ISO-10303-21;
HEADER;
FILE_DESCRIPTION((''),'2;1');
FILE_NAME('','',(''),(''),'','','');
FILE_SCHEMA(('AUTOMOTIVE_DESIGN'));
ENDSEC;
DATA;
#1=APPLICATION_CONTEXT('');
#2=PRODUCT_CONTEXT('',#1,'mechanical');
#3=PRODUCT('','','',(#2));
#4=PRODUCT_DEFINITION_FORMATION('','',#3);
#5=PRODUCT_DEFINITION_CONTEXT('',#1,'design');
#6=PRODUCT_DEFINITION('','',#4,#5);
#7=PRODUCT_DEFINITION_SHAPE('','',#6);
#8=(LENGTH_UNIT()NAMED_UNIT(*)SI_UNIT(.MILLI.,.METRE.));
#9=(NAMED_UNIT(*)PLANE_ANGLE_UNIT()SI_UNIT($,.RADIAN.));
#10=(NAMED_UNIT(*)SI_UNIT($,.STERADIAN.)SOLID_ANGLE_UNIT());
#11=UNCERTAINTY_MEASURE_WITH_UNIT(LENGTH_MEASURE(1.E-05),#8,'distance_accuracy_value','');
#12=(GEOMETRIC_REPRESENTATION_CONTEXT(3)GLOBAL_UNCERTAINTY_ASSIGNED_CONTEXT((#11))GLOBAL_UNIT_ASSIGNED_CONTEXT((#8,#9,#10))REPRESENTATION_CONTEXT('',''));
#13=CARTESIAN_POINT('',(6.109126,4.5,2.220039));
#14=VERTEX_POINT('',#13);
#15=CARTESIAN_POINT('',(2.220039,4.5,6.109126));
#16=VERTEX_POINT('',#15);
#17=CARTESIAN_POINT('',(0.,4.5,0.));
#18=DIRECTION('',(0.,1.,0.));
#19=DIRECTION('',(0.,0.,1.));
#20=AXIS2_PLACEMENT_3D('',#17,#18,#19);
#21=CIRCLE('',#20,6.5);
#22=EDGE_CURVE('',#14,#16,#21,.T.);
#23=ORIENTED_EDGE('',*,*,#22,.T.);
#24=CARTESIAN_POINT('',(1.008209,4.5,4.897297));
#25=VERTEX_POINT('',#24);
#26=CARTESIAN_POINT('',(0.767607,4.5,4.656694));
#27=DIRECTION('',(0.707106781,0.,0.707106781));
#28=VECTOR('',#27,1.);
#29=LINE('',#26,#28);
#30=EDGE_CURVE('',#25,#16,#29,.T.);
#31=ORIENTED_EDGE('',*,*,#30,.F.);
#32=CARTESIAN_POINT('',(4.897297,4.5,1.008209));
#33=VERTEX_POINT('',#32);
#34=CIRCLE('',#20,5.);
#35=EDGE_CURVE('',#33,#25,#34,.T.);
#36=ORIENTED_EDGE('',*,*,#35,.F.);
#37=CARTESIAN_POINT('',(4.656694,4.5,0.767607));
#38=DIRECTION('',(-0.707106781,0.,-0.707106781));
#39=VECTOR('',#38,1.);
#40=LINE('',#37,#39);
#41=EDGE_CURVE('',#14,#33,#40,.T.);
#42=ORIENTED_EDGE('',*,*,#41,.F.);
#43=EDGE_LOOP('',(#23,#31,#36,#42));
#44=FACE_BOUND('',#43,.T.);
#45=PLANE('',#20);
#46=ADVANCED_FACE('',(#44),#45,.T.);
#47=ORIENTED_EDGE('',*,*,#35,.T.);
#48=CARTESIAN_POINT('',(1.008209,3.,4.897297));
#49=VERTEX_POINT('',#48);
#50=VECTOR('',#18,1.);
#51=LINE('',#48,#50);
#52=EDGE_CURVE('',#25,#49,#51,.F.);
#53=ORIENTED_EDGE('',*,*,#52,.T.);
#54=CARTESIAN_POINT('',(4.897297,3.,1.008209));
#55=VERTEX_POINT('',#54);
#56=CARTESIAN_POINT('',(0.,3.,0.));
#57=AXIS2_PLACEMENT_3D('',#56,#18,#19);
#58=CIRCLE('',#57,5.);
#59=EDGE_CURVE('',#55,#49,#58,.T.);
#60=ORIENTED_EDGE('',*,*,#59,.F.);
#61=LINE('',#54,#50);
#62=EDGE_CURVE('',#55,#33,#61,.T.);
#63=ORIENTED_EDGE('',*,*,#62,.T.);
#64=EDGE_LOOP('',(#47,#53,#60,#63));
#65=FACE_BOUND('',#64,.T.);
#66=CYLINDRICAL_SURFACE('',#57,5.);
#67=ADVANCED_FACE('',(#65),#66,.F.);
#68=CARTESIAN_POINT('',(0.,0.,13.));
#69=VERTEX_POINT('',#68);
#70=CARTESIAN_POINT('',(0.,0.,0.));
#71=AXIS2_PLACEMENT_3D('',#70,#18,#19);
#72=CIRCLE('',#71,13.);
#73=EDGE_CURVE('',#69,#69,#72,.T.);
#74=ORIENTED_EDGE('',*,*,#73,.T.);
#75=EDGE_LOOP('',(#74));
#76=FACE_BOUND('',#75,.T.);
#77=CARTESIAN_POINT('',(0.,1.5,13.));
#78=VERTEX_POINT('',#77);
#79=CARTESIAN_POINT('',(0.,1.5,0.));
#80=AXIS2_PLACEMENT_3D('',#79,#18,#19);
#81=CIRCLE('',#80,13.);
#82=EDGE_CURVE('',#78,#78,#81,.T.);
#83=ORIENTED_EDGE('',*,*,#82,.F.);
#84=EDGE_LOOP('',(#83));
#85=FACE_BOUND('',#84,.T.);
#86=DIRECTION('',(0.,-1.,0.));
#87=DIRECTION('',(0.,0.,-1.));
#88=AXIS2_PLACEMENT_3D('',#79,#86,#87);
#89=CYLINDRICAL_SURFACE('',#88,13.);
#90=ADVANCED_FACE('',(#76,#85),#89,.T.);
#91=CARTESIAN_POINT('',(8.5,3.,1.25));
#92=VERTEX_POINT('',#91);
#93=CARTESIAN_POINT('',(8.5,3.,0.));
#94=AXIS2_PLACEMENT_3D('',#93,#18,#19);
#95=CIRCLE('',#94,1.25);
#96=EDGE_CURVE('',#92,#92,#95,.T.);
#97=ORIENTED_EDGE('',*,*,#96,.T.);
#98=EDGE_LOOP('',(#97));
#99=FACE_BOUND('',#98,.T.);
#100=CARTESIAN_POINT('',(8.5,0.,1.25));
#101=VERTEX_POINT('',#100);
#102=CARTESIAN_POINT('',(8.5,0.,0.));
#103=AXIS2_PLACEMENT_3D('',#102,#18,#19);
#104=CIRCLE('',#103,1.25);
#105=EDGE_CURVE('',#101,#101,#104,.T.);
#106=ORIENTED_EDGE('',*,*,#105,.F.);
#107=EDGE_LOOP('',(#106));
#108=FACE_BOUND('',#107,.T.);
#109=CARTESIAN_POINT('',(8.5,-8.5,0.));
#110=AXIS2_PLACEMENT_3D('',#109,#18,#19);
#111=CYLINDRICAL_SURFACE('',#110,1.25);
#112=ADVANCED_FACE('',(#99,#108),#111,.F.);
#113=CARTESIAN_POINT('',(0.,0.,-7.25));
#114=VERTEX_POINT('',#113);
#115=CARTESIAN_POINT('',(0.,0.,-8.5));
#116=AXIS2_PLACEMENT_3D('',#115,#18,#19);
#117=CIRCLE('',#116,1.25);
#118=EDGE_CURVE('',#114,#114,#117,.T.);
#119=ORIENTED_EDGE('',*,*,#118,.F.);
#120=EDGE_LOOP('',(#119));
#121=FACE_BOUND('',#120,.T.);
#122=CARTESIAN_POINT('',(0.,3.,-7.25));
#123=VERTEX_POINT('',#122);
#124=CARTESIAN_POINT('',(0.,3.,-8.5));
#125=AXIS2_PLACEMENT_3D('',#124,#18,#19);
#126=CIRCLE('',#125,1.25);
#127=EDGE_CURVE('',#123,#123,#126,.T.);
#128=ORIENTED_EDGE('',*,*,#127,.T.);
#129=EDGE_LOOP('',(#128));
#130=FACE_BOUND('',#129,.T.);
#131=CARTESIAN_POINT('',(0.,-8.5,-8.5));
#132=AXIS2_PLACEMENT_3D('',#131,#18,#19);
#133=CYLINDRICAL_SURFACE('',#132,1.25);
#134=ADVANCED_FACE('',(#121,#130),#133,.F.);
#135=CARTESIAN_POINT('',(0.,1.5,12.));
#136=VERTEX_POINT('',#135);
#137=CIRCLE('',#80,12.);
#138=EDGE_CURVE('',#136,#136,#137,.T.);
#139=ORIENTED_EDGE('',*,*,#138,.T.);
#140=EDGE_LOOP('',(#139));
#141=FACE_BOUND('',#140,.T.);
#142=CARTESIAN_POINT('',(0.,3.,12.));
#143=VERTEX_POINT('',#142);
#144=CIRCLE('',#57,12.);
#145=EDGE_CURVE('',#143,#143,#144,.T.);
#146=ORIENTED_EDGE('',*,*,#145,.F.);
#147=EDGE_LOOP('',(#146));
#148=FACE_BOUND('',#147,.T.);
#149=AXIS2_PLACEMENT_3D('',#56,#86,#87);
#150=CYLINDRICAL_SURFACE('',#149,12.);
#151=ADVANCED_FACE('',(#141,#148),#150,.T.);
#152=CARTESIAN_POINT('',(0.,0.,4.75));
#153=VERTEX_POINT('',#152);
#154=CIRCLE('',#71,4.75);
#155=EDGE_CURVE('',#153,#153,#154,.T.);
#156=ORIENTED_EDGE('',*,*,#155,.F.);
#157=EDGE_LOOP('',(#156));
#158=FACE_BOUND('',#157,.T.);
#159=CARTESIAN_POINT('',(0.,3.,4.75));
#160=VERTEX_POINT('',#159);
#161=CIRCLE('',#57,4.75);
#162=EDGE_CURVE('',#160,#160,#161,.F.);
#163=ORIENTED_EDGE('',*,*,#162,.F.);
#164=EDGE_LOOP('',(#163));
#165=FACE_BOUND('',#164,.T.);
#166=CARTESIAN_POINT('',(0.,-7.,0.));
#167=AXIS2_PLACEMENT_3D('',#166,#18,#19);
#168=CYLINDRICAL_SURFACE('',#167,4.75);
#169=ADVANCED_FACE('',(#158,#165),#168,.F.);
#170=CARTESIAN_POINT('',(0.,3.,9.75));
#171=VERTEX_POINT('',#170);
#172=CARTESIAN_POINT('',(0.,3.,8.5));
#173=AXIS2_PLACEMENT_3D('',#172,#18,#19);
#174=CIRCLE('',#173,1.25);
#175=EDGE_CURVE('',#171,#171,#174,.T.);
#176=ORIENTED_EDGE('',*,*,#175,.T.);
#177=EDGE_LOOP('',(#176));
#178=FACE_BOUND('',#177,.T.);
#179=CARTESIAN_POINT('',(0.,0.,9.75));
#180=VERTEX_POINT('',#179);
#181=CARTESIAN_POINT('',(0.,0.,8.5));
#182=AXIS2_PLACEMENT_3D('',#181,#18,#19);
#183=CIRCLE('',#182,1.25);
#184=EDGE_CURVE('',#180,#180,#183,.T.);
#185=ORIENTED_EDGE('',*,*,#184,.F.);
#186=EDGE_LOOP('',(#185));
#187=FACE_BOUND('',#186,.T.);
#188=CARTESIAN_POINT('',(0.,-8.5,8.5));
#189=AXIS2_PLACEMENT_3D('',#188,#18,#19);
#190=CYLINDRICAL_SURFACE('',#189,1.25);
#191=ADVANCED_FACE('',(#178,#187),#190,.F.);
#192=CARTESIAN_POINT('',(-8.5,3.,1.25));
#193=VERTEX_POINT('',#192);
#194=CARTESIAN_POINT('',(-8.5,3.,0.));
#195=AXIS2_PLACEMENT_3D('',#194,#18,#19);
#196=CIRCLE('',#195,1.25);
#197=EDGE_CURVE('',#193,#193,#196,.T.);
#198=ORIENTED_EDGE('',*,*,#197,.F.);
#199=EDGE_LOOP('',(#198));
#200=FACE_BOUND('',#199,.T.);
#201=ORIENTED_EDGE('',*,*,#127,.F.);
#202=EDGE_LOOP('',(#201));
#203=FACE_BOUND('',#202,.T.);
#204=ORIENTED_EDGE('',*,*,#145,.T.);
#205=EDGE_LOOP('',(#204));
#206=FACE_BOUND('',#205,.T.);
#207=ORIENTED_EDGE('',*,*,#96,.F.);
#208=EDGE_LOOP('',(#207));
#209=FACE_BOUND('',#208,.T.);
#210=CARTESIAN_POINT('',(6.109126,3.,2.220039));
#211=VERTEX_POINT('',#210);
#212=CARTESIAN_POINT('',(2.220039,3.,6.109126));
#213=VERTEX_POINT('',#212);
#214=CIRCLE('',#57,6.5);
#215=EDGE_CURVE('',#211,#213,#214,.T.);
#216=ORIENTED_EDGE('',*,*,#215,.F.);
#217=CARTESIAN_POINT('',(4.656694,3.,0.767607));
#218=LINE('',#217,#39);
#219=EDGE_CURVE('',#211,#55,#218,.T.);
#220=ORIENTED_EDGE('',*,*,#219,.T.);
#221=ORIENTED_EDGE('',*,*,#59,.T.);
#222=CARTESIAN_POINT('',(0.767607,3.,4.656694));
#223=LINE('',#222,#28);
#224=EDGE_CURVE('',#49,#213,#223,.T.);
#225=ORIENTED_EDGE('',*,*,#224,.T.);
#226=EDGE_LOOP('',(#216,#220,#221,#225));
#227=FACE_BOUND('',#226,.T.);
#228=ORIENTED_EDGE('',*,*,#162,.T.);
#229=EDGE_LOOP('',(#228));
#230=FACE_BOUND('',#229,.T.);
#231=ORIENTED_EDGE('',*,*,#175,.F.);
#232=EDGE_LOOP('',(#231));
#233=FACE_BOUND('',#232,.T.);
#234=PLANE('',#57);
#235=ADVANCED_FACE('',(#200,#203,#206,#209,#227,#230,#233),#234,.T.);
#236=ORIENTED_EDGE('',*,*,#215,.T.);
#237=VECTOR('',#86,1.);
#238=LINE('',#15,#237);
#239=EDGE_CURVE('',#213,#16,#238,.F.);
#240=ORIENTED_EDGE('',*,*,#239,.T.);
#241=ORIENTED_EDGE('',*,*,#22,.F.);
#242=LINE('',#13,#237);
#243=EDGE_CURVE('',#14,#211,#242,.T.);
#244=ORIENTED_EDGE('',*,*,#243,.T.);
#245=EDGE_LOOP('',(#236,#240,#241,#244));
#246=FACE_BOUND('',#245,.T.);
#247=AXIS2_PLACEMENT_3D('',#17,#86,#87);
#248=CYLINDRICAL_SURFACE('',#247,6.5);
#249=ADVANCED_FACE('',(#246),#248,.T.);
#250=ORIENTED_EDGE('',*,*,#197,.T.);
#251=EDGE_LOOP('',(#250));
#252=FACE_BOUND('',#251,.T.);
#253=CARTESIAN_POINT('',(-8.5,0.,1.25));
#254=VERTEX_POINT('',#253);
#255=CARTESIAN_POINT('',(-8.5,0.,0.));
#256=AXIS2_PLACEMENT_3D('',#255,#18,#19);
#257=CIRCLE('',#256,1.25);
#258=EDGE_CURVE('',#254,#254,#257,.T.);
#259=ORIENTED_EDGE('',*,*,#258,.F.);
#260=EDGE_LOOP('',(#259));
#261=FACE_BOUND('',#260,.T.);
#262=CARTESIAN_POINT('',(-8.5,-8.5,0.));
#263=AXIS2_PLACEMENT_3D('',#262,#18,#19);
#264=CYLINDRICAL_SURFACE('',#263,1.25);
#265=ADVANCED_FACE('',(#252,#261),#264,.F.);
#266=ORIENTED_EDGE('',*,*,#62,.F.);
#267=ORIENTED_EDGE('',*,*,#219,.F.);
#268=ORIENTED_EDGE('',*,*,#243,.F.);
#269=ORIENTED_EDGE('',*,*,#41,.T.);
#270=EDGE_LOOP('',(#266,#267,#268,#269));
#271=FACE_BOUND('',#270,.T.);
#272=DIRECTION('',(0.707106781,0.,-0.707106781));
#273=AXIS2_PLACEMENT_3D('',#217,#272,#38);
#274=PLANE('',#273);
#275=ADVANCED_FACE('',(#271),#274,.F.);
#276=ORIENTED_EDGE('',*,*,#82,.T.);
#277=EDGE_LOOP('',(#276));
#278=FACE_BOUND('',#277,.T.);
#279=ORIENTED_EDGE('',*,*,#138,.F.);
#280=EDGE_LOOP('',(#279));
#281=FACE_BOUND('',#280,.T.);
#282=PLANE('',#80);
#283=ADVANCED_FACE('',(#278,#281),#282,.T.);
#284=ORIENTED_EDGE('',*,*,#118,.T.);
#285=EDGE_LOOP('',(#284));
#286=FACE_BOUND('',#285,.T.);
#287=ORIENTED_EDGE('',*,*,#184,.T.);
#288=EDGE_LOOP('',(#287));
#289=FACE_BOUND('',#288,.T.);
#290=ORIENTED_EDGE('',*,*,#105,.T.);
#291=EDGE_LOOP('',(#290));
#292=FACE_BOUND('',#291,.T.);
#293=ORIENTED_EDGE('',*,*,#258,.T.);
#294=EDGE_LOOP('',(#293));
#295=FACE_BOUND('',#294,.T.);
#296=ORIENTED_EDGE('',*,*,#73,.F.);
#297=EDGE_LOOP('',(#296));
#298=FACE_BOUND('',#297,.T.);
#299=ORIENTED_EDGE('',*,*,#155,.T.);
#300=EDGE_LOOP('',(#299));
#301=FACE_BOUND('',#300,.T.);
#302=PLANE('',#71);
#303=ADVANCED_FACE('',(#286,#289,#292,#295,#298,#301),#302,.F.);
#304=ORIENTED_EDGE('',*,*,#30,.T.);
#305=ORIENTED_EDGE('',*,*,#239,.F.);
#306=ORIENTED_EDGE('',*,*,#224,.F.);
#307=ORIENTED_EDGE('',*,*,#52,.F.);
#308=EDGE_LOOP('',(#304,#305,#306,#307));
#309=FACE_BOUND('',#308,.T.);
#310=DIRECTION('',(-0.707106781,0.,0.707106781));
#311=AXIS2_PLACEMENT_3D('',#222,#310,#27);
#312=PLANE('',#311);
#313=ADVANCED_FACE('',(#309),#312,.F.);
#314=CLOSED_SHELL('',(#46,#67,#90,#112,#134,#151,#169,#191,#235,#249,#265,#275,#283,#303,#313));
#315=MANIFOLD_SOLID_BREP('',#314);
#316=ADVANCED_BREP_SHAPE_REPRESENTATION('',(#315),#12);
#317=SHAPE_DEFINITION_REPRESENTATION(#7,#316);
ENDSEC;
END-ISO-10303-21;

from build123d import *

# Parameters (mm, degrees)
SKETCH1_R           = 13
BOSS_EXTRUDE1_DEPTH = 1.5
SKETCH2_R           = 12
BOSS_EXTRUDE2_DEPTH = 1.5
SKETCH3_R           = 6.5
BOSS_EXTRUDE3_DEPTH = 1.5
SKETCH4_R           = 1.25
CUT_EXTRUDE1_DEPTH  = 11.5
SKETCH5_R           = 4.75
CUT_EXTRUDE2_DEPTH  = 11.5
SKETCH6_R           = 5
CUT_EXTRUDE3_DEPTH  = 1.5
CUT_EXTRUDE4_DEPTH  = 1.5


with BuildPart() as part:
    # Sketch1 → Boss-Extrude1 (new body)
    with BuildSketch(Plane(origin=(0, 0, 0), x_dir=(1, 0, 0), z_dir=(0, 1, 0))):
        with Locations(Location((0, 0, 0), (0, 0, 270))):
            Circle(SKETCH1_R)
    extrude(amount=BOSS_EXTRUDE1_DEPTH)

    # Sketch2 → Boss-Extrude2 (add)
    with BuildSketch(Plane(origin=(0, 1.5, 0), x_dir=(1, 0, 0), z_dir=(0, 1, 0))):
        with Locations(Location((0, 0, 0), (0, 0, 270))):
            Circle(SKETCH2_R)
    extrude(amount=BOSS_EXTRUDE2_DEPTH)

    # Sketch3 → Boss-Extrude3 (add)
    with BuildSketch(Plane(origin=(0, 3, 0), x_dir=(1, 0, 0), z_dir=(0, 1, 0))):
        with Locations(Location((0, 0, 0), (0, 0, 270))):
            Circle(SKETCH3_R)
    extrude(amount=BOSS_EXTRUDE3_DEPTH)

    # Sketch4 → Cut-Extrude1 (cut)
    with BuildSketch(Plane(origin=(0, 3, 0), x_dir=(1, 0, 0), z_dir=(0, 1, 0))):
        with Locations(Location((-8.5, 0, 0), (0, 0, 270))):
            Circle(SKETCH4_R)
        with Locations(Location((0, 8.5, 0), (0, 0, 270))):
            Circle(SKETCH4_R)
        with Locations(Location((8.5, 0, 0), (0, 0, 270))):
            Circle(SKETCH4_R)
        with Locations(Location((0, -8.5, 0), (0, 0, 270))):
            Circle(SKETCH4_R)
    extrude(amount=-CUT_EXTRUDE1_DEPTH, mode=Mode.SUBTRACT)

    # Sketch5 → Cut-Extrude2 (cut)
    with BuildSketch(Plane(origin=(0, 4.5, 0), x_dir=(1, 0, 0), z_dir=(0, 1, 0))):
        with Locations(Location((0, 0, 0), (0, 0, 270))):
            Circle(SKETCH5_R)
    extrude(amount=-CUT_EXTRUDE2_DEPTH, mode=Mode.SUBTRACT)

    # Sketch6 → Cut-Extrude3 (cut)
    with BuildSketch(Plane(origin=(0, 4.5, 0), x_dir=(1, 0, 0), z_dir=(0, 1, 0))):
        with Locations(Location((0, 0, 0), (0, 0, 270))):
            Circle(SKETCH6_R)
    extrude(amount=-CUT_EXTRUDE3_DEPTH, mode=Mode.SUBTRACT)

    # Sketch7 → Cut-Extrude4 (cut)
    with BuildSketch(Plane(origin=(0, 4.5, 0), x_dir=(1, 0, 0), z_dir=(0, 1, 0))):
        Polygon((0.767606776, -4.656694072), (4.656694072, -0.767606776), (9.347013617, -5.457926321), (5.457926321, -9.347013617), align=None)
    extrude(amount=-CUT_EXTRUDE4_DEPTH, mode=Mode.SUBTRACT)


solid = part.part
